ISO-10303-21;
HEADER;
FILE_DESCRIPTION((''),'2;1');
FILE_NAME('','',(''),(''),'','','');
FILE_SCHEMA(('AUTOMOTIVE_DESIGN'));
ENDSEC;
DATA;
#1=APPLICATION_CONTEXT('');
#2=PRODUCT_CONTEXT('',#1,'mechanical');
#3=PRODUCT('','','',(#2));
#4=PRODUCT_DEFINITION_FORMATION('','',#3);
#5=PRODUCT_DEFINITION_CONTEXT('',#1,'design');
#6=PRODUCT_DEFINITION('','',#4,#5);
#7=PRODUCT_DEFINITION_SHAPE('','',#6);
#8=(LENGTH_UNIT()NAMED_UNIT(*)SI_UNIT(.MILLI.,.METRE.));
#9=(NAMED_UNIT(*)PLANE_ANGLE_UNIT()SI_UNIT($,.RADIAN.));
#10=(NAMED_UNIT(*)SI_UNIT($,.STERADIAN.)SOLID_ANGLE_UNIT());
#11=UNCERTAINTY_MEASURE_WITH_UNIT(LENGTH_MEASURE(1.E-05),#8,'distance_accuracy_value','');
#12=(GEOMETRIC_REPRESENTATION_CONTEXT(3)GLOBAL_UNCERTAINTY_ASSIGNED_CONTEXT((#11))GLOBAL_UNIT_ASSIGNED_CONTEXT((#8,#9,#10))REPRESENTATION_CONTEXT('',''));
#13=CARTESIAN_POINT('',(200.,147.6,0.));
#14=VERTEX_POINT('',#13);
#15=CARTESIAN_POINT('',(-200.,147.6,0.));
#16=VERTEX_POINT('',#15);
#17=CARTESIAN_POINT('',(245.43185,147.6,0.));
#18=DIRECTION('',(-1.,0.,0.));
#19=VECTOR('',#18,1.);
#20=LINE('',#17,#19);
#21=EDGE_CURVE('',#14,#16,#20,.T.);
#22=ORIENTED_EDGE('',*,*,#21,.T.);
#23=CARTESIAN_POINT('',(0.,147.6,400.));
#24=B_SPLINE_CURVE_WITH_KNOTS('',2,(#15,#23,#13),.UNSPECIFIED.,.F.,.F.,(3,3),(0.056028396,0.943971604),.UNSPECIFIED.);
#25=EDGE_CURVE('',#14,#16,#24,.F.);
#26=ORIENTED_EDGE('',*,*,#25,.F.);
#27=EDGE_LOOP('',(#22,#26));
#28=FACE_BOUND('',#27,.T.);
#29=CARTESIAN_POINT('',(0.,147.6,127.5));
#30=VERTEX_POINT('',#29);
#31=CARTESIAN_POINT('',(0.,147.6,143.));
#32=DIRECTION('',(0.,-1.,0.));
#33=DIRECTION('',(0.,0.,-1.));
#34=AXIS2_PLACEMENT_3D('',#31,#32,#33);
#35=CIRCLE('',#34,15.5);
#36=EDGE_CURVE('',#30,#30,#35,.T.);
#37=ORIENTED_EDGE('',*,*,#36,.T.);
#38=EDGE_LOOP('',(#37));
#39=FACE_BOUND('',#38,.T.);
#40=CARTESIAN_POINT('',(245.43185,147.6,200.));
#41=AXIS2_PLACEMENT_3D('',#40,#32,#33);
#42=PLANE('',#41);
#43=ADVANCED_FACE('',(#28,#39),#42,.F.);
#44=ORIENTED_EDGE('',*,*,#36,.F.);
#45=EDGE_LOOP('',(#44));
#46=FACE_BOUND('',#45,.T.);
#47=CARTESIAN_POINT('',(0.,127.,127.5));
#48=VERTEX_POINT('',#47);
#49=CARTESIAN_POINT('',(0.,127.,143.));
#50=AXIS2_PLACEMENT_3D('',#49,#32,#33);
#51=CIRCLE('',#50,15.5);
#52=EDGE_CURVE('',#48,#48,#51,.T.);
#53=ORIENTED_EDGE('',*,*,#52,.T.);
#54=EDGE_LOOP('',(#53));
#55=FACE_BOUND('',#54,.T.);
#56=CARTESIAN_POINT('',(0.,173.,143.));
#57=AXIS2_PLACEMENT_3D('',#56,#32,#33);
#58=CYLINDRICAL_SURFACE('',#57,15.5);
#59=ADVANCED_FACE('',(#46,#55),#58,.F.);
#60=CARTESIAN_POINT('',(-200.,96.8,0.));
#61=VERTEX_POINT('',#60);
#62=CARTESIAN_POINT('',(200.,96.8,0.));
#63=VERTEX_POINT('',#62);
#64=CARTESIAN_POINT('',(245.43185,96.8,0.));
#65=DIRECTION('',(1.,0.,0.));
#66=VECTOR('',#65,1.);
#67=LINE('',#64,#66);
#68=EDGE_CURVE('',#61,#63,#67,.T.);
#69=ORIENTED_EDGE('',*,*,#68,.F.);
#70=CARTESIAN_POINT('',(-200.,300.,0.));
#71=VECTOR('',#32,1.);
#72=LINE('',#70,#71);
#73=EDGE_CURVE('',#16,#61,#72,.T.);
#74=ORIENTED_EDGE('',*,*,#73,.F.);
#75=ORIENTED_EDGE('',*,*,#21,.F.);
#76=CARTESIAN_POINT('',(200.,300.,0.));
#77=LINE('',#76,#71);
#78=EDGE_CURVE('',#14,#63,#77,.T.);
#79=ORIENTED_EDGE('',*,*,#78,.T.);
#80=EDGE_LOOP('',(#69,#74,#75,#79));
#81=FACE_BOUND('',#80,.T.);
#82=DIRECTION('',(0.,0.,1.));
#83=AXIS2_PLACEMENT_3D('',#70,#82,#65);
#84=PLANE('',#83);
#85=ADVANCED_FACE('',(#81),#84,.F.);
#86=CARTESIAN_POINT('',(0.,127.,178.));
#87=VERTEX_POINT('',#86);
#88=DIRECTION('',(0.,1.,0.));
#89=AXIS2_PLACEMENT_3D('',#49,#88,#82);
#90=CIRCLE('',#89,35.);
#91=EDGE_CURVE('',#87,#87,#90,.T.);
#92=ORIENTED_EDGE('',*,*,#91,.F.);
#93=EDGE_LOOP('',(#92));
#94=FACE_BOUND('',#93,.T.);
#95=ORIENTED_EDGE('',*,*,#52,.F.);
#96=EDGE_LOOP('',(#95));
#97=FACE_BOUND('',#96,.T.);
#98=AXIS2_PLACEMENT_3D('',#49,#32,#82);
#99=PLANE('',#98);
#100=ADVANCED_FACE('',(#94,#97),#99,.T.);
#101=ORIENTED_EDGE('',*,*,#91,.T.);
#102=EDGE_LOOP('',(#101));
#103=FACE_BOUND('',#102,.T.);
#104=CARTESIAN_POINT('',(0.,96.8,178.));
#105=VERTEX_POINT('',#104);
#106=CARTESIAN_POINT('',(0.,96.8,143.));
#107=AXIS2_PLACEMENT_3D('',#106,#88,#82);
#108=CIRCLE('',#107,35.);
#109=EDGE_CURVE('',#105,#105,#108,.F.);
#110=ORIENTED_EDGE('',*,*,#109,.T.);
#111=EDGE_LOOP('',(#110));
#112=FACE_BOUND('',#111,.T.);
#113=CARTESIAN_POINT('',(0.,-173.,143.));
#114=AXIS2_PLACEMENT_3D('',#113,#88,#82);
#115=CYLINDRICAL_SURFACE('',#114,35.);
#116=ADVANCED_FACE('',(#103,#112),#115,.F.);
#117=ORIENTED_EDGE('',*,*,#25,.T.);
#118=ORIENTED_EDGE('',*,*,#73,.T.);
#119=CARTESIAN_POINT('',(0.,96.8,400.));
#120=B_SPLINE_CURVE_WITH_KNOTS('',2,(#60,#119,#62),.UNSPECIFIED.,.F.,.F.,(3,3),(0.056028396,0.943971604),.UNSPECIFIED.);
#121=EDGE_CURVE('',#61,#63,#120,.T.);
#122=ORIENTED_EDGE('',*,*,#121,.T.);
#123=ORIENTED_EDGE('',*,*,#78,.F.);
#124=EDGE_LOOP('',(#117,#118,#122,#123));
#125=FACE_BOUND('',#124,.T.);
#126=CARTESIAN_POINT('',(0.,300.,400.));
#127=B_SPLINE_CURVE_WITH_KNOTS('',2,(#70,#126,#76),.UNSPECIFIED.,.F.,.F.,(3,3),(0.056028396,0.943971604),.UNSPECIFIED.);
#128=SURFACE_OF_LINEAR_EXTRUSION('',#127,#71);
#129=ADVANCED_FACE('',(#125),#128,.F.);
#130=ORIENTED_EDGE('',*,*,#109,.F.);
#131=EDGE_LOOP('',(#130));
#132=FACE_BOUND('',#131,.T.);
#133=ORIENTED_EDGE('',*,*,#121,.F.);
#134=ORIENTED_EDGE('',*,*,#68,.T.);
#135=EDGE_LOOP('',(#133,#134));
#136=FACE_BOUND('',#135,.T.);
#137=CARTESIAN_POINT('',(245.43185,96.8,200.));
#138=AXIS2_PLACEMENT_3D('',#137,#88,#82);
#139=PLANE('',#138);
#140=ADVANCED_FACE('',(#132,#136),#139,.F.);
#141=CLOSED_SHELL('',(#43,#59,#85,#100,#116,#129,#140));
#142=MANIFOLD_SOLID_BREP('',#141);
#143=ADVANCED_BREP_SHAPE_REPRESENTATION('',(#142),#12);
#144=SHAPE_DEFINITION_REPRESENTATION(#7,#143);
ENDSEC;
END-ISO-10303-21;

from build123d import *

# Parameters (mm, degrees)
BOSS_EXTRUDE1_DEPTH     = 300
SKETCH3_R               = 15.5
CUT_EXTRUDE1_DEPTH      = 23
CUT_EXTRUDE1_DEPTH_BACK = 23
SKETCH4_R               = 35
CUT_EXTRUDE3_DEPTH      = 300
SKETCH5_W               = 488.913893014
SKETCH5_H               = 228.614771509
SKETCH5_W_2             = 496.713117629
SKETCH5_H_2             = 107.726789986
CUT_EXTRUDE4_DEPTH      = 201.0000001


with BuildPart() as part:
    # Sketch1 → Boss-Extrude1 (new body)
    with BuildSketch(Plane(origin=(0, 0, 0), x_dir=(1, 0, 0), z_dir=(0, 1, 0))):
        with BuildLine():
            Line((-200, 1e-09), (200, 1e-09))
            add(Edge.make_bspline(
                [(-200, 1e-09), (0, -400.000000001), (200, 1e-09)],
                knots=[0.056028396, 0.056028396, 0.056028396, 0.943971604, 0.943971604, 0.943971604], degree=2))
        make_face()
    extrude(amount=BOSS_EXTRUDE1_DEPTH)

    # Sketch3 → Cut-Extrude1 (cut, two sides)
    with BuildSketch(Plane(origin=(0, 150, 0), x_dir=(1, 0, 0), z_dir=(0, 1, 0))) as cut_extrude1_sk:
        with Locations((0, -142.999999999)):
            Circle(SKETCH3_R)
    extrude(amount=CUT_EXTRUDE1_DEPTH, mode=Mode.SUBTRACT)
    extrude(cut_extrude1_sk.sketch, amount=-CUT_EXTRUDE1_DEPTH_BACK, mode=Mode.SUBTRACT)

    # Sketch4 → Cut-Extrude3 (cut)
    with BuildSketch(Plane(origin=(0, 173, 0), x_dir=(1, 0, 0), z_dir=(0, 1, 0))):
        with Locations((0, -142.999999999)):
            Circle(SKETCH4_R)
    cut_extrude3 = extrude(amount=CUT_EXTRUDE3_DEPTH, mode=Mode.SUBTRACT)

    # Mirror1: Cut-Extrude3 across plane
    add(cut_extrude3.mirror(Plane.ZX.offset(150)), mode=Mode.SUBTRACT)

    # Sketch5 → Cut-Extrude4 (cut, through all)
    with BuildSketch(Plane(origin=(0, 0, 0), x_dir=(-1, 0, 0), z_dir=(0, 0, -1))):
        with Locations((-0.974903077, 261.907385755)):
            Rectangle(SKETCH5_W, SKETCH5_H)
        with Locations((2.92470923, 42.936605007)):
            Rectangle(SKETCH5_W_2, SKETCH5_H_2)
    extrude(amount=-CUT_EXTRUDE4_DEPTH, mode=Mode.SUBTRACT)


solid = part.part
